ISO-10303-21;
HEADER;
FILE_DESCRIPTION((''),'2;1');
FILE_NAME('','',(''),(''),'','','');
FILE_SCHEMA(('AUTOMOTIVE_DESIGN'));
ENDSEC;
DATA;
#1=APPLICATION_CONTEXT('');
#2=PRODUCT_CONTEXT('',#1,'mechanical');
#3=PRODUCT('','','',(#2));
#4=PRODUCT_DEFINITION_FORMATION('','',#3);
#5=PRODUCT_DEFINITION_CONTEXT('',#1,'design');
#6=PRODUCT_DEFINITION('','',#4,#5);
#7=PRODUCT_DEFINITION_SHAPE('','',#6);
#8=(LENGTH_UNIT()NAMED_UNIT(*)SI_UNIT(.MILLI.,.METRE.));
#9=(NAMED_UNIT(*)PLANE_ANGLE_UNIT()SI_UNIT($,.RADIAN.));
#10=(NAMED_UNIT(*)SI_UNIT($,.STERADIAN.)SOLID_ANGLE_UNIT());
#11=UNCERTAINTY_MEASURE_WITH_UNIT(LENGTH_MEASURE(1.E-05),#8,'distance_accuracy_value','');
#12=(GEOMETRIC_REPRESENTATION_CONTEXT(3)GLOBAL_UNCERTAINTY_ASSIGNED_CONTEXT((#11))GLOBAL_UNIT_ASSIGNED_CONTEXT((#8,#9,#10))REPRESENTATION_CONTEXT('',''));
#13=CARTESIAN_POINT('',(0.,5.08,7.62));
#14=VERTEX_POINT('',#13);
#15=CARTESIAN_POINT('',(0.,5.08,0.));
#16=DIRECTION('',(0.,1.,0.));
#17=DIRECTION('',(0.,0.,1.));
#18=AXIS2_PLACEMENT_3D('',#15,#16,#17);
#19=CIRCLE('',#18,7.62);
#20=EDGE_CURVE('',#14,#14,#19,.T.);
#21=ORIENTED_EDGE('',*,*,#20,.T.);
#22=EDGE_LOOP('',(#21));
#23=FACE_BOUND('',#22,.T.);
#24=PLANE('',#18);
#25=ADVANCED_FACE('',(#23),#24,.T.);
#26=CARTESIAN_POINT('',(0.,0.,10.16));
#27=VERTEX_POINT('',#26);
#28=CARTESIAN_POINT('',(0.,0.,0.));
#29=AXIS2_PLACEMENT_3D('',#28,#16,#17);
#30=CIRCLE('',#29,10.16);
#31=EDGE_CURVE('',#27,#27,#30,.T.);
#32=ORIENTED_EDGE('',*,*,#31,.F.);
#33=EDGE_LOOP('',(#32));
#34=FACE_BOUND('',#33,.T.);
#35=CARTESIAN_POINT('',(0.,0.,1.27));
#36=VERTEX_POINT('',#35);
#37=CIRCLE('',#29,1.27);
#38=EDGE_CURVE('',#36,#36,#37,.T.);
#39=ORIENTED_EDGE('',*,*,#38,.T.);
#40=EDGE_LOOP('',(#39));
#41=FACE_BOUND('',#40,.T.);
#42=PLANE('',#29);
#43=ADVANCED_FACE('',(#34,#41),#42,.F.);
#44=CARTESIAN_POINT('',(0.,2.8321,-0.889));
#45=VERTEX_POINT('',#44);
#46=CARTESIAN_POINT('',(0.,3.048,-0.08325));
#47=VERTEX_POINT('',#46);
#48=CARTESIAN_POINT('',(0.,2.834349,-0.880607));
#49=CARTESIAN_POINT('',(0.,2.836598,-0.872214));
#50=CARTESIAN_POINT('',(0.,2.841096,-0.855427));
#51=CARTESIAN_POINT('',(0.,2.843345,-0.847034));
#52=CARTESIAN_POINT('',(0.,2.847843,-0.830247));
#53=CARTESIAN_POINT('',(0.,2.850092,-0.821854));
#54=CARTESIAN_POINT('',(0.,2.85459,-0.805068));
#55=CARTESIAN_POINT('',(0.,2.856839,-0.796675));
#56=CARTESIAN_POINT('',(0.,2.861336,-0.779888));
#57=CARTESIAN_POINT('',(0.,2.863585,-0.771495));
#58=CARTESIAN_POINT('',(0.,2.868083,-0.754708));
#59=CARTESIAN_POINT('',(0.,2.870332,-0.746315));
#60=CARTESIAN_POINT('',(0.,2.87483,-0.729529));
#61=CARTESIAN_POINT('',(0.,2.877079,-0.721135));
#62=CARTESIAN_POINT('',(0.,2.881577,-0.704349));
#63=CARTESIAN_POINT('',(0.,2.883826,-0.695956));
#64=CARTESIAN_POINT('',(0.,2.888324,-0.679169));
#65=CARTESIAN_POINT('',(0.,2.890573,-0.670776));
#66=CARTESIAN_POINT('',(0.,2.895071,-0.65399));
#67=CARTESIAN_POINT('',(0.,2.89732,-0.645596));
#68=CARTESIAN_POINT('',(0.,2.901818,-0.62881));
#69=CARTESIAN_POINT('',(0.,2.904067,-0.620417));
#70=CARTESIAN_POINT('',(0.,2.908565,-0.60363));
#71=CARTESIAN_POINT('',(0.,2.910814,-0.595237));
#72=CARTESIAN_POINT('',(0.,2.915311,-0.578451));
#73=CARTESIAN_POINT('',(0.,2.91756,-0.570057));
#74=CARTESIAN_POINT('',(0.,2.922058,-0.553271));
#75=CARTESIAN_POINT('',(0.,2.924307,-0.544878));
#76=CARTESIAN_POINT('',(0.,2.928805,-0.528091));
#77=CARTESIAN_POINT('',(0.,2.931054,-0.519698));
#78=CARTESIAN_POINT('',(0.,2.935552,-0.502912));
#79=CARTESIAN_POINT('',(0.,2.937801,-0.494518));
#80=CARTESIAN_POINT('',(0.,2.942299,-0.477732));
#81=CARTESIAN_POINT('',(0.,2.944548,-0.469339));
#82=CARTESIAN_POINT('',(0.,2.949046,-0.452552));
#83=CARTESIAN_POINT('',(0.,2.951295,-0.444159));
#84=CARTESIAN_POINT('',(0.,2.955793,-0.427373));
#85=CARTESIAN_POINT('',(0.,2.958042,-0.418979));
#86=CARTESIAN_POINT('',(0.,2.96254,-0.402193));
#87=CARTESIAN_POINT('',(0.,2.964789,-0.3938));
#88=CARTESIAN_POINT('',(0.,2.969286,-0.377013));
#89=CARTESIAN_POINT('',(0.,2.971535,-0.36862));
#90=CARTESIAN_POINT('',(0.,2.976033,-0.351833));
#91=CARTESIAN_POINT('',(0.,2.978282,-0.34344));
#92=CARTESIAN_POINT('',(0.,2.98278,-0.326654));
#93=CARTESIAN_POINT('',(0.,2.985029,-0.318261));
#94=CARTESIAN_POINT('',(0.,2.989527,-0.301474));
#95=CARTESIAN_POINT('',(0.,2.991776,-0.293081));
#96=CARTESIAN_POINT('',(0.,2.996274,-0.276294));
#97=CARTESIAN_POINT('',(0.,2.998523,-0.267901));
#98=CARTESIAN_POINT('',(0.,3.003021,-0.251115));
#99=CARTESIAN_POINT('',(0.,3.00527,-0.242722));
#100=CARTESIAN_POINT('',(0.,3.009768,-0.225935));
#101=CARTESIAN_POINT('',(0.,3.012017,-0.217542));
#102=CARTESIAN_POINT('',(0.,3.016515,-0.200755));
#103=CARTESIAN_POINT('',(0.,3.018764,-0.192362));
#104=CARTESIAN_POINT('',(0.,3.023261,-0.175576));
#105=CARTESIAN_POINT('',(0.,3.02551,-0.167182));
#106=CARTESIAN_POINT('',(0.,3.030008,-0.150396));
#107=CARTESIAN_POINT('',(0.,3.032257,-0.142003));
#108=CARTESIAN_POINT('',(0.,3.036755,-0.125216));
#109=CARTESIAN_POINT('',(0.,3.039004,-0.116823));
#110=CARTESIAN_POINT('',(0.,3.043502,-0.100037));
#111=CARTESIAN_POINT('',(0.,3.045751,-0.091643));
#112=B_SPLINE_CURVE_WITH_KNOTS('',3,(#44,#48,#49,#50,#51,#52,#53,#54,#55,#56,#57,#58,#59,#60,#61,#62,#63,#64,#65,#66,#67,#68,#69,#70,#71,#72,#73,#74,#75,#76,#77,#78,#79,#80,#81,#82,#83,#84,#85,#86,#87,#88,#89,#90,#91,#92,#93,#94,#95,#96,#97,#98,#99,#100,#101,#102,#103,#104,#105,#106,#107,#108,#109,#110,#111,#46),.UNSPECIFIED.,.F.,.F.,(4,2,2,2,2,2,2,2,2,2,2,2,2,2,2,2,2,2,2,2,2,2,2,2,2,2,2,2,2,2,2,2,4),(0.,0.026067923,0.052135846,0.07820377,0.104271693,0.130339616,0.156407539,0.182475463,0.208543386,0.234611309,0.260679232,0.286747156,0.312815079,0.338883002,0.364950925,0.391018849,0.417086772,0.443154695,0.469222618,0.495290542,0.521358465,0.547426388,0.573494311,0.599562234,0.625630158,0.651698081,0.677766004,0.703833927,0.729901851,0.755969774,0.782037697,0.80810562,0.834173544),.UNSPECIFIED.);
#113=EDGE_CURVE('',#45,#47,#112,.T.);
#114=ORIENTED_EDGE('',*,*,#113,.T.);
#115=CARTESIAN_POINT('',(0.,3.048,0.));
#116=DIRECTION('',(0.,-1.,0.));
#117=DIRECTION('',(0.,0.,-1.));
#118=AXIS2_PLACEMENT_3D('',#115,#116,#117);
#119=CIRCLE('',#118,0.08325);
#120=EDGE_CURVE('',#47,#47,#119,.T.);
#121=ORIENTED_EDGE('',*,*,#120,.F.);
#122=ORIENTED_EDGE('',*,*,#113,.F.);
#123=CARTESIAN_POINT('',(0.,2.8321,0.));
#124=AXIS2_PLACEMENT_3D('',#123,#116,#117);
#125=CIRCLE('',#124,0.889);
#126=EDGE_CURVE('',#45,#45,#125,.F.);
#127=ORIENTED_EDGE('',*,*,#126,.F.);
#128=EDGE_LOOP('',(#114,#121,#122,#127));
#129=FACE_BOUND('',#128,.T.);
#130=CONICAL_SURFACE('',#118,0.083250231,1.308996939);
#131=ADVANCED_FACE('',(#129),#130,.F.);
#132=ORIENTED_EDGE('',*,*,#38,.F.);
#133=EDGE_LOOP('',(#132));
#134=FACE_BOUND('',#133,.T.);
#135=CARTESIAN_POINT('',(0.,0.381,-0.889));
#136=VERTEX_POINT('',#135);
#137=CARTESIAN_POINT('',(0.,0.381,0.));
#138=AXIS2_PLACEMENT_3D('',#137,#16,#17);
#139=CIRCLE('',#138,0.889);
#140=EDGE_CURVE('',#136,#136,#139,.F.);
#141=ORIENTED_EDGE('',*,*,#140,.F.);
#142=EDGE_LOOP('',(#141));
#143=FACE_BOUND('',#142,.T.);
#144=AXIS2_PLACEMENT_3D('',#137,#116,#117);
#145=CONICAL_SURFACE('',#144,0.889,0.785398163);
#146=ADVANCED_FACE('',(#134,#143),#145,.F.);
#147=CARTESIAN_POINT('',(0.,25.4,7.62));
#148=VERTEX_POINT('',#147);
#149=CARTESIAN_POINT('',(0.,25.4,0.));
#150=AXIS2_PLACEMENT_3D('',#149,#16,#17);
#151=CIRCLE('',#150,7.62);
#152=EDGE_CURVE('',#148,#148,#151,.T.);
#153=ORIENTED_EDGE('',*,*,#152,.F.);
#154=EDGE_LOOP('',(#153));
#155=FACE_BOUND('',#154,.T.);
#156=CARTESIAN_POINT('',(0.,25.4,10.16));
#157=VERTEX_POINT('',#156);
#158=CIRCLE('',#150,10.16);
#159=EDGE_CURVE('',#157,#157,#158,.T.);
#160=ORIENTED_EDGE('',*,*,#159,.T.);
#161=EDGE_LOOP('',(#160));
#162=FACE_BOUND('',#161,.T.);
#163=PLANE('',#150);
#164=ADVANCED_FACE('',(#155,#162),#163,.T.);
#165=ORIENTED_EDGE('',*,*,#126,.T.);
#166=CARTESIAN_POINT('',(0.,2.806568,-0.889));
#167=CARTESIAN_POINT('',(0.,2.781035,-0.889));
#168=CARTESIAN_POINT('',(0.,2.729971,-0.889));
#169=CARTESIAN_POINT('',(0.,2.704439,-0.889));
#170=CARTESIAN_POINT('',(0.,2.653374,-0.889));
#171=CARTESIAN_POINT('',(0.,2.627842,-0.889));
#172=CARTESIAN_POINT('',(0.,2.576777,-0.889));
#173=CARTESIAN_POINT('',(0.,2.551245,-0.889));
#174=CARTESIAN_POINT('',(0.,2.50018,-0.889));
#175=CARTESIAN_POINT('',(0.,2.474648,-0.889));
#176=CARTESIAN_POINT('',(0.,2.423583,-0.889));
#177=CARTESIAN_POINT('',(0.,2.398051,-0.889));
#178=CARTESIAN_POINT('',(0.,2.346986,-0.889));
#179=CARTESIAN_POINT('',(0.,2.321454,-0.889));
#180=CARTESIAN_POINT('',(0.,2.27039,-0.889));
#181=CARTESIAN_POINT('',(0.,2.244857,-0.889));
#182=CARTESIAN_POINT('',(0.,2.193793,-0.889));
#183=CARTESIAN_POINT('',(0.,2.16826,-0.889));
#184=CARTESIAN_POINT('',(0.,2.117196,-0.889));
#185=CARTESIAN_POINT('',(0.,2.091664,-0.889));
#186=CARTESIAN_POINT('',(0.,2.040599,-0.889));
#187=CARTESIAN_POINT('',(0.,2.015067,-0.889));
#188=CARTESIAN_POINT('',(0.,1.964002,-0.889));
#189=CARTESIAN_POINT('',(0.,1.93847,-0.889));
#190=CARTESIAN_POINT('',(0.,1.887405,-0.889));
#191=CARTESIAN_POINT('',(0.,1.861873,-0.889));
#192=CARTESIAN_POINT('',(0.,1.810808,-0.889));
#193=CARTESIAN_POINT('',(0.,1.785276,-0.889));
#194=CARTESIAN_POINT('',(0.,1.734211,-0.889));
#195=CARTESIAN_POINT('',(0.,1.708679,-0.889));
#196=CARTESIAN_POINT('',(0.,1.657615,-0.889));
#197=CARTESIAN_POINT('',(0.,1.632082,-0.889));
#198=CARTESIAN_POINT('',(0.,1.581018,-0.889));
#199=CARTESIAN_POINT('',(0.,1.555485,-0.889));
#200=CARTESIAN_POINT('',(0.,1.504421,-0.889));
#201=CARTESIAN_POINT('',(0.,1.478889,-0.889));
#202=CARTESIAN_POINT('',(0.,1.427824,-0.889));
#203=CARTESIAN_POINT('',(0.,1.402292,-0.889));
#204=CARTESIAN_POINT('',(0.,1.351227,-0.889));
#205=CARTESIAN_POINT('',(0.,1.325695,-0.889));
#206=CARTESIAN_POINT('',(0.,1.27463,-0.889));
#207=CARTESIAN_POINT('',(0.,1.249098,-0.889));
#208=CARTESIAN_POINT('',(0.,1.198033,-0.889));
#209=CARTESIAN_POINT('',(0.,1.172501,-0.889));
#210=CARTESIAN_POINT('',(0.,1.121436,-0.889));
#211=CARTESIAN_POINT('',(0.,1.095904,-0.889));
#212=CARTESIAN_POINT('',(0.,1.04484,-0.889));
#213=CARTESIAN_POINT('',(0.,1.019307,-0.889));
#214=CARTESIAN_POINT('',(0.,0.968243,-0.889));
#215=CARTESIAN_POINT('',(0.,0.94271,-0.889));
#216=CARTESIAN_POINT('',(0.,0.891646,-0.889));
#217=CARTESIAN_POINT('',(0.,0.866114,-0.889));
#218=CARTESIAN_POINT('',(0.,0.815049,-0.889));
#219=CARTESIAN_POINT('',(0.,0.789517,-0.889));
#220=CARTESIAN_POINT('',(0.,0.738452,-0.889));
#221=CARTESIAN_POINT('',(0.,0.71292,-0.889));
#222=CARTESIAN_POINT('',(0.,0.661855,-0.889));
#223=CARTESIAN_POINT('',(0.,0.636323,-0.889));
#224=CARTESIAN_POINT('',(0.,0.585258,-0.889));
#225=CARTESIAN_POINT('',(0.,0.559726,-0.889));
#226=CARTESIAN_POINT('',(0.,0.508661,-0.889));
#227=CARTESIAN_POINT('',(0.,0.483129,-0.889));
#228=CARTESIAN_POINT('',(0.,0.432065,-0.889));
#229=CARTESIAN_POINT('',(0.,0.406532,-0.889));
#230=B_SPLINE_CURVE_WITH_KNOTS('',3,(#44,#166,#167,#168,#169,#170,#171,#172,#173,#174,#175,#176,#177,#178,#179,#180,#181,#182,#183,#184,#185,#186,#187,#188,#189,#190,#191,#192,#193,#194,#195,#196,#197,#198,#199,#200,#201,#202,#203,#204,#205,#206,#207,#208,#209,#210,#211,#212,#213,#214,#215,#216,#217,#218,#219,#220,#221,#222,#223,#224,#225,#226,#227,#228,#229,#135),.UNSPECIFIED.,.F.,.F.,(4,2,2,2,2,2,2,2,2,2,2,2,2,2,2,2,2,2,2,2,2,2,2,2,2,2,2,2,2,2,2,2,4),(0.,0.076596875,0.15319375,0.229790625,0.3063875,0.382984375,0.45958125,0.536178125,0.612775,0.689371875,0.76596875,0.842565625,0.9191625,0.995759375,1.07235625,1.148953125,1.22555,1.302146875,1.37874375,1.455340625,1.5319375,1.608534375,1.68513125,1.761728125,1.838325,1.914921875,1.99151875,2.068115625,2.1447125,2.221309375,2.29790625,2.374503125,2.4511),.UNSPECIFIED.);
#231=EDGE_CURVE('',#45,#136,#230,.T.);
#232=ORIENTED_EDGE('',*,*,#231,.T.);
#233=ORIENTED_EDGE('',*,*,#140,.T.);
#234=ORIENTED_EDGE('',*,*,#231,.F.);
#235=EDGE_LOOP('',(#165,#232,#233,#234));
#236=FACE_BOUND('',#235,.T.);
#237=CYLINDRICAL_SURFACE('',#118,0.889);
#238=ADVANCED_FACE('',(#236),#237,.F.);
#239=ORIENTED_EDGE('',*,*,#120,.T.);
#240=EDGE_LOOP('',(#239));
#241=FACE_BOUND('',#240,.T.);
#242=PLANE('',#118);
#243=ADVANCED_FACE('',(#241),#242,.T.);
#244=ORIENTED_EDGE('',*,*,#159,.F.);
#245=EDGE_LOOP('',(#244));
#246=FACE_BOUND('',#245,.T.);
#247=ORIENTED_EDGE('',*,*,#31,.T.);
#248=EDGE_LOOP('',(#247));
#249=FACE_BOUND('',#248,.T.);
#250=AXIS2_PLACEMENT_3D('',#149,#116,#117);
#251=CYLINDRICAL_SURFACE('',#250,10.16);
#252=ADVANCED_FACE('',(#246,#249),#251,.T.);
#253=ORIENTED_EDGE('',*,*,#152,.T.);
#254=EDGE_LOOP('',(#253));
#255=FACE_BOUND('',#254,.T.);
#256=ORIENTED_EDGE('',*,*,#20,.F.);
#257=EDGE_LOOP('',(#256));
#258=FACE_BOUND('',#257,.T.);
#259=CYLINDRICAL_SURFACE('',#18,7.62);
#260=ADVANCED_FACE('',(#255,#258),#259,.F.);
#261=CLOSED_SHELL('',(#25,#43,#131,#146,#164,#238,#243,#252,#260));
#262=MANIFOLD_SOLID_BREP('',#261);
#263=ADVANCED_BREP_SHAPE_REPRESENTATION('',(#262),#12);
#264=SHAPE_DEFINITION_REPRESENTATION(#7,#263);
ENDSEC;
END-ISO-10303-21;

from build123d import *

# Parameters (mm, degrees)
SKETCH2_R           = 10.16
BOSS_EXTRUDE1_DEPTH = 25.4
SKETCH3_R           = 7.62
CUT_EXTRUDE1_DEPTH  = 20.32
SKETCH4_R           = 0.889
CUT_EXTRUDE2_DEPTH  = 3.048
CHAMFER1_SIZE       = 0.381
CHAMFER2_SIZE       = 0.2159
CHAMFER2_SIZE2      = 0.805749769


with BuildPart() as part:
    # Sketch2 → Boss-Extrude1 (new body)
    with BuildSketch(Plane(origin=(0, 0, 0), x_dir=(1, 0, 0), z_dir=(0, 1, 0))):
        with Locations(Location((0, 0, 0), (0, 0, 270))):
            Circle(SKETCH2_R)
    extrude(amount=BOSS_EXTRUDE1_DEPTH)

    # Sketch3 → Cut-Extrude1 (cut)
    with BuildSketch(Plane(origin=(0, 25.4, 0), x_dir=(1, 0, 0), z_dir=(0, 1, 0))):
        with Locations(Location((0, 0, 0), (0, 0, 270))):
            Circle(SKETCH3_R)
    extrude(amount=-CUT_EXTRUDE1_DEPTH, mode=Mode.SUBTRACT)

    # Sketch4 → Cut-Extrude2 (cut)
    with BuildSketch(Plane.XZ):
        with Locations(Location((0, 0, 0), (0, 0, 270))):
            Circle(SKETCH4_R)
    extrude(amount=-CUT_EXTRUDE2_DEPTH, mode=Mode.SUBTRACT)

    # Chamfer1
    chamfer1_edges = [part.edges().sort_by_distance(p)[0] for p in [
        (0, 0, 0.889),
    ]]
    chamfer(chamfer1_edges, length=CHAMFER1_SIZE)

    # Chamfer2
    chamfer2_edges = [part.edges().sort_by_distance(p)[0] for p in [
        (0, 3.048, 0.889),
    ]]
    chamfer2_side = [part.faces().sort_by_distance(p)[0] for p in [
        (0, 1.7145, 0.889),
    ]]
    chamfer(chamfer2_edges, length=CHAMFER2_SIZE, length2=CHAMFER2_SIZE2, reference=chamfer2_side[0])


solid = part.part
